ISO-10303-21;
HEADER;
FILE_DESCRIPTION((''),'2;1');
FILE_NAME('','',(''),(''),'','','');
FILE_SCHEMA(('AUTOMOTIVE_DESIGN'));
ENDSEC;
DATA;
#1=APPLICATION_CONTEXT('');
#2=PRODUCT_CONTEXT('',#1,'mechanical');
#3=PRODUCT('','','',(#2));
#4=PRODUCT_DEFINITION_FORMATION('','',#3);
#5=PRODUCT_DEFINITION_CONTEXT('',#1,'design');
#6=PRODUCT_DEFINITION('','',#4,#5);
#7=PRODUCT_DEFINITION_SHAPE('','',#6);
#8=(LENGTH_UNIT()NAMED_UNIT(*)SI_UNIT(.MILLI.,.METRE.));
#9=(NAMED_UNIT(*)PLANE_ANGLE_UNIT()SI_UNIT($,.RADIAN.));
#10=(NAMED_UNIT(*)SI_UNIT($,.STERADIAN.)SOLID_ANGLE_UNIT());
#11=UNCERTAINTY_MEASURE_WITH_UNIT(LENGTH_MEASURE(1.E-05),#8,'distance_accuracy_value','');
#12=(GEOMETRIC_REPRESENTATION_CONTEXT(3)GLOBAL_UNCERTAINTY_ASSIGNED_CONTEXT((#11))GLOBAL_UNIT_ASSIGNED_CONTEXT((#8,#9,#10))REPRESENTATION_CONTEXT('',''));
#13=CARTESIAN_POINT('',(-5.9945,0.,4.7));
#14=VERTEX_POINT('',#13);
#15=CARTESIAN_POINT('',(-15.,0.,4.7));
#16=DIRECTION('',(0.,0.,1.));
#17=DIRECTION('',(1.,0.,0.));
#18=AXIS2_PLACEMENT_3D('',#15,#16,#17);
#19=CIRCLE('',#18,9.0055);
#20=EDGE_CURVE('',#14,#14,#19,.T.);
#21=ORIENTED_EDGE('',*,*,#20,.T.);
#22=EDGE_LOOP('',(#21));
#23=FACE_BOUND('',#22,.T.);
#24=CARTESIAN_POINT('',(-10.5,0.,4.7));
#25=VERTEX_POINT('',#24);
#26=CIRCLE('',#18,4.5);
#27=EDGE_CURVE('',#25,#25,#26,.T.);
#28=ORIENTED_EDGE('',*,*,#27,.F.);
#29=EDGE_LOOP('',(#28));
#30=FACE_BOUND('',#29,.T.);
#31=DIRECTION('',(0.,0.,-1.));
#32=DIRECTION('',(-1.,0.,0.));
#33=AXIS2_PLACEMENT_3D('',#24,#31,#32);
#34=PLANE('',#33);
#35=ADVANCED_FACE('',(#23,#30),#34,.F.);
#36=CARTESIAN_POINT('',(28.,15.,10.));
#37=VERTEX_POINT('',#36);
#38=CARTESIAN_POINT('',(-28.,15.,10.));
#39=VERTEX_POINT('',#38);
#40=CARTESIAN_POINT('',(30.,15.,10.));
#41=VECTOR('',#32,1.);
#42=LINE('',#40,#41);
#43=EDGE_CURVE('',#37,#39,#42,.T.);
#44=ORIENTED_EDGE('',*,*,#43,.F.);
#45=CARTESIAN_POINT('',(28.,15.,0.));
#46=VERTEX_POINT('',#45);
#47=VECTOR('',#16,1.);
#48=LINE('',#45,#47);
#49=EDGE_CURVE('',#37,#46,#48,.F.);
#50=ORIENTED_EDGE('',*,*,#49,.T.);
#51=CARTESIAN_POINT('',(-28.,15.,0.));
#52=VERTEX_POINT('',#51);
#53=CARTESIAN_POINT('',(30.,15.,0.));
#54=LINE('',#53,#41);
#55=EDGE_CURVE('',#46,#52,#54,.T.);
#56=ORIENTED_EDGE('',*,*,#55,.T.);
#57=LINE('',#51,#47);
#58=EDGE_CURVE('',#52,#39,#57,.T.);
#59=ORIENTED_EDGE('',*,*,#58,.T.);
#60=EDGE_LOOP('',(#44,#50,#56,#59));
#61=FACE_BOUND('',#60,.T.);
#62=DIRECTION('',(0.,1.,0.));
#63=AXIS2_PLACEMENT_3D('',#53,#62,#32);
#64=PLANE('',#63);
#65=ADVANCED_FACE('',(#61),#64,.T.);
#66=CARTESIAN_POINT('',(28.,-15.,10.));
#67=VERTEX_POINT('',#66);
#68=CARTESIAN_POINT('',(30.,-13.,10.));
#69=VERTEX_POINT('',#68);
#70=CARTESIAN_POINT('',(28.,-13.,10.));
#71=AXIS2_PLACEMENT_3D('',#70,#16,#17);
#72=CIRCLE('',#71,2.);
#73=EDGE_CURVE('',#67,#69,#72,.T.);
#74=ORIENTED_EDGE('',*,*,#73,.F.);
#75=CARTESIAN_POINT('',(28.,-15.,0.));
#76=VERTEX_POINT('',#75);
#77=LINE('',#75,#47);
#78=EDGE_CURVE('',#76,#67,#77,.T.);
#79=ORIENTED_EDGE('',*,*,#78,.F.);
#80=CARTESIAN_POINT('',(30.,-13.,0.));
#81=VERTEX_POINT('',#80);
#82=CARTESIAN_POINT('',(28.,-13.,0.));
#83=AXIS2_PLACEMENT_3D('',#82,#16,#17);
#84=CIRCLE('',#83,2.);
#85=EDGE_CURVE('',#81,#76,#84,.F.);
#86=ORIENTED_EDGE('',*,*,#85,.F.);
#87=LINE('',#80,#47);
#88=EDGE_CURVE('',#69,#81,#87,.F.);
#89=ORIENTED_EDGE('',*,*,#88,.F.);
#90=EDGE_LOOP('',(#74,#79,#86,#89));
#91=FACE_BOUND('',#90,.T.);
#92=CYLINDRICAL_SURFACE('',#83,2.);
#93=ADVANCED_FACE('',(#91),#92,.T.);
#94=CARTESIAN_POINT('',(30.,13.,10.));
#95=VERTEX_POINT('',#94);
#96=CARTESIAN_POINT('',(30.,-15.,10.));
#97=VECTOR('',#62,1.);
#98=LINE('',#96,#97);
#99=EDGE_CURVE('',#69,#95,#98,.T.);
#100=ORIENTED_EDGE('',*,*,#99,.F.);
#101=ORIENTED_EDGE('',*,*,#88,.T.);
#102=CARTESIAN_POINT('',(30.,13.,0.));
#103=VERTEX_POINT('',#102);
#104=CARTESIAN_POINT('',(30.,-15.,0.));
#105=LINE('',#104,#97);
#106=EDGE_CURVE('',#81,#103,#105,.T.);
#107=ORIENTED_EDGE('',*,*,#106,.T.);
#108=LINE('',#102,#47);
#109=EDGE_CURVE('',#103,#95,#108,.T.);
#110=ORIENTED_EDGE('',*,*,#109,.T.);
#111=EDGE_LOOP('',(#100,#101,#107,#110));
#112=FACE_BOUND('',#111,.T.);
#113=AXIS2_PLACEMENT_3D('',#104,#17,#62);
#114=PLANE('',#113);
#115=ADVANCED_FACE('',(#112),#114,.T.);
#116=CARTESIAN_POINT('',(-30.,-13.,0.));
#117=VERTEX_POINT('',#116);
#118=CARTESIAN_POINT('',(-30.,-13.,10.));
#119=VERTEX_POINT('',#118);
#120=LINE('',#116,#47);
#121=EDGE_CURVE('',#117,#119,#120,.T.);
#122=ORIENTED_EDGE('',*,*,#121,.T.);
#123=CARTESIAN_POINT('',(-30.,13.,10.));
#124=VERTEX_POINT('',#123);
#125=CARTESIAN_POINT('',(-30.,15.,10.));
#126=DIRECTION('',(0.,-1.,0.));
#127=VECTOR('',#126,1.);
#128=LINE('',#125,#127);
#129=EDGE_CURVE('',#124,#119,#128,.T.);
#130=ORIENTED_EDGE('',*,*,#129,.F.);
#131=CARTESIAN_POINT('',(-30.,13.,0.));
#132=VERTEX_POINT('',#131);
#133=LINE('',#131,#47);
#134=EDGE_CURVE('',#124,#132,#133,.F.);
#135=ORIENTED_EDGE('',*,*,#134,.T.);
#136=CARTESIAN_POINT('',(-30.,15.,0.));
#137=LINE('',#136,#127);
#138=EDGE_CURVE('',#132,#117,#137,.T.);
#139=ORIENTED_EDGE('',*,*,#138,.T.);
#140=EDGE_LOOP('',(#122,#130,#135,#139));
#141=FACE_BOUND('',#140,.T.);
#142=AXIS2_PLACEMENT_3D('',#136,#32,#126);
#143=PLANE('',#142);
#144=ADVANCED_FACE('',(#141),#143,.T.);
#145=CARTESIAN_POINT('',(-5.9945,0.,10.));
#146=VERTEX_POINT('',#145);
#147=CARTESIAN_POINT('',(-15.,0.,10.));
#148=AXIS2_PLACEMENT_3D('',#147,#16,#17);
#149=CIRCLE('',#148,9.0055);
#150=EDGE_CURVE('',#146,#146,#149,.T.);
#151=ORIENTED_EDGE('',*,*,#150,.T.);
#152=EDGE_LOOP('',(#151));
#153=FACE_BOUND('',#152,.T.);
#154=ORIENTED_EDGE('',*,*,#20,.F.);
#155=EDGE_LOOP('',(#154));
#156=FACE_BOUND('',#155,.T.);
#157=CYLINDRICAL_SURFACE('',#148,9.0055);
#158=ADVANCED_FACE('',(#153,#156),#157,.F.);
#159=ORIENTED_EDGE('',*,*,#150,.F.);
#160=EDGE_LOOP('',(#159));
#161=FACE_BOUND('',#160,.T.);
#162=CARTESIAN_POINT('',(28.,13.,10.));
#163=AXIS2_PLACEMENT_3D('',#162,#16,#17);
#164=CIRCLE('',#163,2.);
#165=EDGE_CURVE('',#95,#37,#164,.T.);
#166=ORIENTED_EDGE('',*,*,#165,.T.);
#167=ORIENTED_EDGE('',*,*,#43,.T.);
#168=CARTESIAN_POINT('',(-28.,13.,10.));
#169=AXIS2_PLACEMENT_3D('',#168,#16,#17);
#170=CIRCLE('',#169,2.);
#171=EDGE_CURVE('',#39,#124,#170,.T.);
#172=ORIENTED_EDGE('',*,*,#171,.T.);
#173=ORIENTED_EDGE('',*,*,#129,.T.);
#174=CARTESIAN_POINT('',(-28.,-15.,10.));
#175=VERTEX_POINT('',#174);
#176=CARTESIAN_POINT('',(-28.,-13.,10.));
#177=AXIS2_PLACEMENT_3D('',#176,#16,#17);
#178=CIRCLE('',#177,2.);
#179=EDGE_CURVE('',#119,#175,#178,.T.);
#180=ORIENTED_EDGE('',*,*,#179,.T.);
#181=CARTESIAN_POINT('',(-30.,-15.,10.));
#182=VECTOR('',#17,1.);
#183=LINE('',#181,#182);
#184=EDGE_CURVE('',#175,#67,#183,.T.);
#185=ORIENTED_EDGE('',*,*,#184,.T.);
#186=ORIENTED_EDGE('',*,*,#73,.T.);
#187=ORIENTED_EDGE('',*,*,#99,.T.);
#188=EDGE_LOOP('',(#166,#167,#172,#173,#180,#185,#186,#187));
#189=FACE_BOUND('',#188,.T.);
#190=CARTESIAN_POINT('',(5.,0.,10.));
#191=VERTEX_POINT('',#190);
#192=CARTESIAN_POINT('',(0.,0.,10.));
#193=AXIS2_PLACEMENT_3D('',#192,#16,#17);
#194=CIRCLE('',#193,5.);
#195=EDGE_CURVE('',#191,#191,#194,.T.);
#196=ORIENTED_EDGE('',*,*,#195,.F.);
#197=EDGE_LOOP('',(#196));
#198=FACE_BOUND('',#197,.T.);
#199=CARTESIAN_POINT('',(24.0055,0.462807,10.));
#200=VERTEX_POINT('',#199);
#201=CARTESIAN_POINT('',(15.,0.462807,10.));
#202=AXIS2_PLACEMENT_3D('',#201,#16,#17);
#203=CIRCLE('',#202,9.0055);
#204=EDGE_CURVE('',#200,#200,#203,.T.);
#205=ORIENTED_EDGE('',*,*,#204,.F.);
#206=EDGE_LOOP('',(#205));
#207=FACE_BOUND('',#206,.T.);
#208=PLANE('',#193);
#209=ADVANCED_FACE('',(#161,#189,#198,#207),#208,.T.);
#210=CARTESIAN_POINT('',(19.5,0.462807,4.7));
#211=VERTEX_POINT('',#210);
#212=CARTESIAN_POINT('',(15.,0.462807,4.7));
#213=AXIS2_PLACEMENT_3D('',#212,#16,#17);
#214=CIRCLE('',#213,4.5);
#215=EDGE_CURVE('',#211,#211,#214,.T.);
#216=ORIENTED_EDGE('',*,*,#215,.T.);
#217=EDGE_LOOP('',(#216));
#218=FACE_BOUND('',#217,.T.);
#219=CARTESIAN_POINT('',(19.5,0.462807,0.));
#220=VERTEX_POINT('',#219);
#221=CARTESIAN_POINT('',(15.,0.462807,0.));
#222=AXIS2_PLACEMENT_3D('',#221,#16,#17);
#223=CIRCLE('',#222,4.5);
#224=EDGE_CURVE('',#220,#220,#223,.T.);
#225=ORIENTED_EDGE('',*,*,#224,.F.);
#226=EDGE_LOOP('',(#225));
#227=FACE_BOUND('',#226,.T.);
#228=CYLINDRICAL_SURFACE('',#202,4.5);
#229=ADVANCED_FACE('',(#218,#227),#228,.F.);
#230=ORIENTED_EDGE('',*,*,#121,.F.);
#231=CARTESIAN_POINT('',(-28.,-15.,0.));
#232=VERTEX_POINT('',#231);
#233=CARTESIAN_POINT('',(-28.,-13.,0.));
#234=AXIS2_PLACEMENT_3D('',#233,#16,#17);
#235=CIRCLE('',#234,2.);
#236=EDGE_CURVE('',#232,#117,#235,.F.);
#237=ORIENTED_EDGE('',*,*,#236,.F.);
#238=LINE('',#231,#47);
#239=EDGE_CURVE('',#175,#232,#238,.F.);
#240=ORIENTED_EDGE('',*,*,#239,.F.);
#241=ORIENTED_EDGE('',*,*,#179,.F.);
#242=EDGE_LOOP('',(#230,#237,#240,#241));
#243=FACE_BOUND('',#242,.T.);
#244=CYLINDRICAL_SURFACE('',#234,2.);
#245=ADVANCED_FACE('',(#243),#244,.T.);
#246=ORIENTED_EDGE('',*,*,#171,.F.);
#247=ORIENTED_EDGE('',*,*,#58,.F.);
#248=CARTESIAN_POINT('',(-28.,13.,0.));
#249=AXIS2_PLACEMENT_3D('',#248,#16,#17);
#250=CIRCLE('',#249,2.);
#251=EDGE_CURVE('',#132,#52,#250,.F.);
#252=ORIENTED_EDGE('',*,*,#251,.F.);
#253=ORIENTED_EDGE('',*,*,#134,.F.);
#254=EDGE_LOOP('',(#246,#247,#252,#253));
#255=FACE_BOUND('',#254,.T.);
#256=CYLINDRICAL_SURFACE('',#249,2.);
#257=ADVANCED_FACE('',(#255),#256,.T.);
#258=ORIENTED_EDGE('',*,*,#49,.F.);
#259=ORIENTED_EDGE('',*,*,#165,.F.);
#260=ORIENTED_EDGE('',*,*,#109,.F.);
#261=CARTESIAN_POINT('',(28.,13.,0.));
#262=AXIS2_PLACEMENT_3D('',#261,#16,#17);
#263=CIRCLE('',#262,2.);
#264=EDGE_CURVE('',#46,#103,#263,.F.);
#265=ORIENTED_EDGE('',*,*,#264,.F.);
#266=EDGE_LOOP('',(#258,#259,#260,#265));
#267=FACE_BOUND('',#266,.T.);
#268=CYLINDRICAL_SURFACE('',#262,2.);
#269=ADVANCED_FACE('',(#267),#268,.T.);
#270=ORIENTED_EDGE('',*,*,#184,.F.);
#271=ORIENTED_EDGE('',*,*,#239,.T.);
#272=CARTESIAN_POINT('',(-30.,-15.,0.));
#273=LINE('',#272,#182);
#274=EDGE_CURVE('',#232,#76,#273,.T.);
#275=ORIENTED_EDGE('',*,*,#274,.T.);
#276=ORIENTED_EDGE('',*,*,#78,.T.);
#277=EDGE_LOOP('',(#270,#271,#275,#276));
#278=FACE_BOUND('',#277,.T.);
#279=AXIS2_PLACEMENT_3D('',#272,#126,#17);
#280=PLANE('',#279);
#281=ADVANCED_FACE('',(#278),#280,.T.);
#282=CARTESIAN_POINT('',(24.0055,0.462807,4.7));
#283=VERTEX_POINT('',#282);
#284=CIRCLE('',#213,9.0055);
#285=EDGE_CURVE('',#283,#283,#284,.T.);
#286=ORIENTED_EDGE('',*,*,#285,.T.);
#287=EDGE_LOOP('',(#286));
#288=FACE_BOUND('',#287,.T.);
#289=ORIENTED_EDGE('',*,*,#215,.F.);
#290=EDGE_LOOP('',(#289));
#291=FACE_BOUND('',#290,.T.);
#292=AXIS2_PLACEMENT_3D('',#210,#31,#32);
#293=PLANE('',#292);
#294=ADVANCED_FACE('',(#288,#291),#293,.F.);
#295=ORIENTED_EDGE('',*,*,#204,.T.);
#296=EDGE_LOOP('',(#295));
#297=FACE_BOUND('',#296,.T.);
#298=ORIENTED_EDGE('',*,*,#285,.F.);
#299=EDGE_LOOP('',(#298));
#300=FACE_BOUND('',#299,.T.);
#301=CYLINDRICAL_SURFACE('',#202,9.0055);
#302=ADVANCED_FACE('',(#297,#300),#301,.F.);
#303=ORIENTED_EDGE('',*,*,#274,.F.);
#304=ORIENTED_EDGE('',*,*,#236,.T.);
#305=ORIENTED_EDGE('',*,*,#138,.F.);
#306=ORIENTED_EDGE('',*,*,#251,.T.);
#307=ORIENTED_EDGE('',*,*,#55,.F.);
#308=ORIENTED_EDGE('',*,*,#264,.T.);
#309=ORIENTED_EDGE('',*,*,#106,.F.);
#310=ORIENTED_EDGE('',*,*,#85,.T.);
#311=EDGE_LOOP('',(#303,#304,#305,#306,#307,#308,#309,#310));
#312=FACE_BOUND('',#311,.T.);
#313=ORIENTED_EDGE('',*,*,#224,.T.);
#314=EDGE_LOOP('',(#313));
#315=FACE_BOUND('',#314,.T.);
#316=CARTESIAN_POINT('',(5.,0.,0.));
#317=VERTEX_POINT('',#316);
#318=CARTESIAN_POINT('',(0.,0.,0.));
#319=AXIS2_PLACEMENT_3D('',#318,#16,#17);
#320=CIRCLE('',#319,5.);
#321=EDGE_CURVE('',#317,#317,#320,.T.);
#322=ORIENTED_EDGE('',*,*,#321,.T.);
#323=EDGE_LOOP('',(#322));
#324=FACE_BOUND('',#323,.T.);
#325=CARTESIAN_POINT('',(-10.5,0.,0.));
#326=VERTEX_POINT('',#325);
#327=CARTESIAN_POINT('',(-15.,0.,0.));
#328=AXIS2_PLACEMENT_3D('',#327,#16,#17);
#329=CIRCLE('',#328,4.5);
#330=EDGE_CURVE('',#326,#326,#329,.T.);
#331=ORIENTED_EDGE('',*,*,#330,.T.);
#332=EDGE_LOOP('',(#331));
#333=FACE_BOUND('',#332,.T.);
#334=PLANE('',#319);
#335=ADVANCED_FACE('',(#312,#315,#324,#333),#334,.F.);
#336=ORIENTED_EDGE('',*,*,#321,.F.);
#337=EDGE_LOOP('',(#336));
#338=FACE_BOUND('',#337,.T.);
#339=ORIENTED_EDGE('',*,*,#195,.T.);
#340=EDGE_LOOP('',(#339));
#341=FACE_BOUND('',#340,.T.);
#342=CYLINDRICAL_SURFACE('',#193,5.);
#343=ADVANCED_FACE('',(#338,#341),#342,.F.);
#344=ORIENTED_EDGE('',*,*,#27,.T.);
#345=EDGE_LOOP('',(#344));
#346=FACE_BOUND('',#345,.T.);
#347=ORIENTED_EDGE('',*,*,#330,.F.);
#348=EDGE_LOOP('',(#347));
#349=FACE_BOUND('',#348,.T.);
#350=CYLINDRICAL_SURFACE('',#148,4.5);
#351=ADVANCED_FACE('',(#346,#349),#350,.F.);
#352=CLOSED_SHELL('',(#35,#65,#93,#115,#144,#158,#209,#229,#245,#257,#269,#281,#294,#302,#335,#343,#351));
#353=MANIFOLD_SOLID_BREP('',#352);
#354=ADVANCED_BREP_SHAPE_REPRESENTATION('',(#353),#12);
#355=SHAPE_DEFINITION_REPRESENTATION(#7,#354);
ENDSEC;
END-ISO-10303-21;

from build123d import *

# Parameters (mm, degrees)
SKETCH1_W                               = 60
SKETCH1_H                               = 30
BOSS_EXTRUDE1_DEPTH                     = 10
F_10_0_10_DIAMETER_HOLE1_D              = 10
CBORE_FOR_M8_HEX_HEAD_BOLT1_D           = 9
CBORE_FOR_M8_HEX_HEAD_BOLT1_CBORE_D     = 18.011
CBORE_FOR_M8_HEX_HEAD_BOLT1_CBORE_DEPTH = 5.3
FILLET1_R                               = 2


with BuildPart() as part:
    # Sketch1 → Boss-Extrude1 (new body)
    with BuildSketch(Plane.XY.offset(10)):
        Rectangle(SKETCH1_W, SKETCH1_H)
    extrude(amount=-BOSS_EXTRUDE1_DEPTH)

    # Ø10.0 (10) Diameter Hole1 (through all)
    with Locations(Plane.XY.offset(10)):
        with Locations((0, 0)):
            Hole(F_10_0_10_DIAMETER_HOLE1_D / 2)

    # CBORE for M8 Hex Head Bolt1 (through all)
    with Locations(Plane.XY.offset(10)):
        with Locations((-15, 0), (15, 0.462807071)):
            CounterBoreHole(CBORE_FOR_M8_HEX_HEAD_BOLT1_D / 2, CBORE_FOR_M8_HEX_HEAD_BOLT1_CBORE_D / 2, CBORE_FOR_M8_HEX_HEAD_BOLT1_CBORE_DEPTH)

    # Fillet1
    fillet1_edges = [part.edges().sort_by_distance(p)[0] for p in [
        (30, -15, 5),
        (-30, -15, 5),
        (-30, 15, 5),
        (30, 15, 5),
    ]]
    fillet(fillet1_edges, radius=FILLET1_R)


solid = part.part
